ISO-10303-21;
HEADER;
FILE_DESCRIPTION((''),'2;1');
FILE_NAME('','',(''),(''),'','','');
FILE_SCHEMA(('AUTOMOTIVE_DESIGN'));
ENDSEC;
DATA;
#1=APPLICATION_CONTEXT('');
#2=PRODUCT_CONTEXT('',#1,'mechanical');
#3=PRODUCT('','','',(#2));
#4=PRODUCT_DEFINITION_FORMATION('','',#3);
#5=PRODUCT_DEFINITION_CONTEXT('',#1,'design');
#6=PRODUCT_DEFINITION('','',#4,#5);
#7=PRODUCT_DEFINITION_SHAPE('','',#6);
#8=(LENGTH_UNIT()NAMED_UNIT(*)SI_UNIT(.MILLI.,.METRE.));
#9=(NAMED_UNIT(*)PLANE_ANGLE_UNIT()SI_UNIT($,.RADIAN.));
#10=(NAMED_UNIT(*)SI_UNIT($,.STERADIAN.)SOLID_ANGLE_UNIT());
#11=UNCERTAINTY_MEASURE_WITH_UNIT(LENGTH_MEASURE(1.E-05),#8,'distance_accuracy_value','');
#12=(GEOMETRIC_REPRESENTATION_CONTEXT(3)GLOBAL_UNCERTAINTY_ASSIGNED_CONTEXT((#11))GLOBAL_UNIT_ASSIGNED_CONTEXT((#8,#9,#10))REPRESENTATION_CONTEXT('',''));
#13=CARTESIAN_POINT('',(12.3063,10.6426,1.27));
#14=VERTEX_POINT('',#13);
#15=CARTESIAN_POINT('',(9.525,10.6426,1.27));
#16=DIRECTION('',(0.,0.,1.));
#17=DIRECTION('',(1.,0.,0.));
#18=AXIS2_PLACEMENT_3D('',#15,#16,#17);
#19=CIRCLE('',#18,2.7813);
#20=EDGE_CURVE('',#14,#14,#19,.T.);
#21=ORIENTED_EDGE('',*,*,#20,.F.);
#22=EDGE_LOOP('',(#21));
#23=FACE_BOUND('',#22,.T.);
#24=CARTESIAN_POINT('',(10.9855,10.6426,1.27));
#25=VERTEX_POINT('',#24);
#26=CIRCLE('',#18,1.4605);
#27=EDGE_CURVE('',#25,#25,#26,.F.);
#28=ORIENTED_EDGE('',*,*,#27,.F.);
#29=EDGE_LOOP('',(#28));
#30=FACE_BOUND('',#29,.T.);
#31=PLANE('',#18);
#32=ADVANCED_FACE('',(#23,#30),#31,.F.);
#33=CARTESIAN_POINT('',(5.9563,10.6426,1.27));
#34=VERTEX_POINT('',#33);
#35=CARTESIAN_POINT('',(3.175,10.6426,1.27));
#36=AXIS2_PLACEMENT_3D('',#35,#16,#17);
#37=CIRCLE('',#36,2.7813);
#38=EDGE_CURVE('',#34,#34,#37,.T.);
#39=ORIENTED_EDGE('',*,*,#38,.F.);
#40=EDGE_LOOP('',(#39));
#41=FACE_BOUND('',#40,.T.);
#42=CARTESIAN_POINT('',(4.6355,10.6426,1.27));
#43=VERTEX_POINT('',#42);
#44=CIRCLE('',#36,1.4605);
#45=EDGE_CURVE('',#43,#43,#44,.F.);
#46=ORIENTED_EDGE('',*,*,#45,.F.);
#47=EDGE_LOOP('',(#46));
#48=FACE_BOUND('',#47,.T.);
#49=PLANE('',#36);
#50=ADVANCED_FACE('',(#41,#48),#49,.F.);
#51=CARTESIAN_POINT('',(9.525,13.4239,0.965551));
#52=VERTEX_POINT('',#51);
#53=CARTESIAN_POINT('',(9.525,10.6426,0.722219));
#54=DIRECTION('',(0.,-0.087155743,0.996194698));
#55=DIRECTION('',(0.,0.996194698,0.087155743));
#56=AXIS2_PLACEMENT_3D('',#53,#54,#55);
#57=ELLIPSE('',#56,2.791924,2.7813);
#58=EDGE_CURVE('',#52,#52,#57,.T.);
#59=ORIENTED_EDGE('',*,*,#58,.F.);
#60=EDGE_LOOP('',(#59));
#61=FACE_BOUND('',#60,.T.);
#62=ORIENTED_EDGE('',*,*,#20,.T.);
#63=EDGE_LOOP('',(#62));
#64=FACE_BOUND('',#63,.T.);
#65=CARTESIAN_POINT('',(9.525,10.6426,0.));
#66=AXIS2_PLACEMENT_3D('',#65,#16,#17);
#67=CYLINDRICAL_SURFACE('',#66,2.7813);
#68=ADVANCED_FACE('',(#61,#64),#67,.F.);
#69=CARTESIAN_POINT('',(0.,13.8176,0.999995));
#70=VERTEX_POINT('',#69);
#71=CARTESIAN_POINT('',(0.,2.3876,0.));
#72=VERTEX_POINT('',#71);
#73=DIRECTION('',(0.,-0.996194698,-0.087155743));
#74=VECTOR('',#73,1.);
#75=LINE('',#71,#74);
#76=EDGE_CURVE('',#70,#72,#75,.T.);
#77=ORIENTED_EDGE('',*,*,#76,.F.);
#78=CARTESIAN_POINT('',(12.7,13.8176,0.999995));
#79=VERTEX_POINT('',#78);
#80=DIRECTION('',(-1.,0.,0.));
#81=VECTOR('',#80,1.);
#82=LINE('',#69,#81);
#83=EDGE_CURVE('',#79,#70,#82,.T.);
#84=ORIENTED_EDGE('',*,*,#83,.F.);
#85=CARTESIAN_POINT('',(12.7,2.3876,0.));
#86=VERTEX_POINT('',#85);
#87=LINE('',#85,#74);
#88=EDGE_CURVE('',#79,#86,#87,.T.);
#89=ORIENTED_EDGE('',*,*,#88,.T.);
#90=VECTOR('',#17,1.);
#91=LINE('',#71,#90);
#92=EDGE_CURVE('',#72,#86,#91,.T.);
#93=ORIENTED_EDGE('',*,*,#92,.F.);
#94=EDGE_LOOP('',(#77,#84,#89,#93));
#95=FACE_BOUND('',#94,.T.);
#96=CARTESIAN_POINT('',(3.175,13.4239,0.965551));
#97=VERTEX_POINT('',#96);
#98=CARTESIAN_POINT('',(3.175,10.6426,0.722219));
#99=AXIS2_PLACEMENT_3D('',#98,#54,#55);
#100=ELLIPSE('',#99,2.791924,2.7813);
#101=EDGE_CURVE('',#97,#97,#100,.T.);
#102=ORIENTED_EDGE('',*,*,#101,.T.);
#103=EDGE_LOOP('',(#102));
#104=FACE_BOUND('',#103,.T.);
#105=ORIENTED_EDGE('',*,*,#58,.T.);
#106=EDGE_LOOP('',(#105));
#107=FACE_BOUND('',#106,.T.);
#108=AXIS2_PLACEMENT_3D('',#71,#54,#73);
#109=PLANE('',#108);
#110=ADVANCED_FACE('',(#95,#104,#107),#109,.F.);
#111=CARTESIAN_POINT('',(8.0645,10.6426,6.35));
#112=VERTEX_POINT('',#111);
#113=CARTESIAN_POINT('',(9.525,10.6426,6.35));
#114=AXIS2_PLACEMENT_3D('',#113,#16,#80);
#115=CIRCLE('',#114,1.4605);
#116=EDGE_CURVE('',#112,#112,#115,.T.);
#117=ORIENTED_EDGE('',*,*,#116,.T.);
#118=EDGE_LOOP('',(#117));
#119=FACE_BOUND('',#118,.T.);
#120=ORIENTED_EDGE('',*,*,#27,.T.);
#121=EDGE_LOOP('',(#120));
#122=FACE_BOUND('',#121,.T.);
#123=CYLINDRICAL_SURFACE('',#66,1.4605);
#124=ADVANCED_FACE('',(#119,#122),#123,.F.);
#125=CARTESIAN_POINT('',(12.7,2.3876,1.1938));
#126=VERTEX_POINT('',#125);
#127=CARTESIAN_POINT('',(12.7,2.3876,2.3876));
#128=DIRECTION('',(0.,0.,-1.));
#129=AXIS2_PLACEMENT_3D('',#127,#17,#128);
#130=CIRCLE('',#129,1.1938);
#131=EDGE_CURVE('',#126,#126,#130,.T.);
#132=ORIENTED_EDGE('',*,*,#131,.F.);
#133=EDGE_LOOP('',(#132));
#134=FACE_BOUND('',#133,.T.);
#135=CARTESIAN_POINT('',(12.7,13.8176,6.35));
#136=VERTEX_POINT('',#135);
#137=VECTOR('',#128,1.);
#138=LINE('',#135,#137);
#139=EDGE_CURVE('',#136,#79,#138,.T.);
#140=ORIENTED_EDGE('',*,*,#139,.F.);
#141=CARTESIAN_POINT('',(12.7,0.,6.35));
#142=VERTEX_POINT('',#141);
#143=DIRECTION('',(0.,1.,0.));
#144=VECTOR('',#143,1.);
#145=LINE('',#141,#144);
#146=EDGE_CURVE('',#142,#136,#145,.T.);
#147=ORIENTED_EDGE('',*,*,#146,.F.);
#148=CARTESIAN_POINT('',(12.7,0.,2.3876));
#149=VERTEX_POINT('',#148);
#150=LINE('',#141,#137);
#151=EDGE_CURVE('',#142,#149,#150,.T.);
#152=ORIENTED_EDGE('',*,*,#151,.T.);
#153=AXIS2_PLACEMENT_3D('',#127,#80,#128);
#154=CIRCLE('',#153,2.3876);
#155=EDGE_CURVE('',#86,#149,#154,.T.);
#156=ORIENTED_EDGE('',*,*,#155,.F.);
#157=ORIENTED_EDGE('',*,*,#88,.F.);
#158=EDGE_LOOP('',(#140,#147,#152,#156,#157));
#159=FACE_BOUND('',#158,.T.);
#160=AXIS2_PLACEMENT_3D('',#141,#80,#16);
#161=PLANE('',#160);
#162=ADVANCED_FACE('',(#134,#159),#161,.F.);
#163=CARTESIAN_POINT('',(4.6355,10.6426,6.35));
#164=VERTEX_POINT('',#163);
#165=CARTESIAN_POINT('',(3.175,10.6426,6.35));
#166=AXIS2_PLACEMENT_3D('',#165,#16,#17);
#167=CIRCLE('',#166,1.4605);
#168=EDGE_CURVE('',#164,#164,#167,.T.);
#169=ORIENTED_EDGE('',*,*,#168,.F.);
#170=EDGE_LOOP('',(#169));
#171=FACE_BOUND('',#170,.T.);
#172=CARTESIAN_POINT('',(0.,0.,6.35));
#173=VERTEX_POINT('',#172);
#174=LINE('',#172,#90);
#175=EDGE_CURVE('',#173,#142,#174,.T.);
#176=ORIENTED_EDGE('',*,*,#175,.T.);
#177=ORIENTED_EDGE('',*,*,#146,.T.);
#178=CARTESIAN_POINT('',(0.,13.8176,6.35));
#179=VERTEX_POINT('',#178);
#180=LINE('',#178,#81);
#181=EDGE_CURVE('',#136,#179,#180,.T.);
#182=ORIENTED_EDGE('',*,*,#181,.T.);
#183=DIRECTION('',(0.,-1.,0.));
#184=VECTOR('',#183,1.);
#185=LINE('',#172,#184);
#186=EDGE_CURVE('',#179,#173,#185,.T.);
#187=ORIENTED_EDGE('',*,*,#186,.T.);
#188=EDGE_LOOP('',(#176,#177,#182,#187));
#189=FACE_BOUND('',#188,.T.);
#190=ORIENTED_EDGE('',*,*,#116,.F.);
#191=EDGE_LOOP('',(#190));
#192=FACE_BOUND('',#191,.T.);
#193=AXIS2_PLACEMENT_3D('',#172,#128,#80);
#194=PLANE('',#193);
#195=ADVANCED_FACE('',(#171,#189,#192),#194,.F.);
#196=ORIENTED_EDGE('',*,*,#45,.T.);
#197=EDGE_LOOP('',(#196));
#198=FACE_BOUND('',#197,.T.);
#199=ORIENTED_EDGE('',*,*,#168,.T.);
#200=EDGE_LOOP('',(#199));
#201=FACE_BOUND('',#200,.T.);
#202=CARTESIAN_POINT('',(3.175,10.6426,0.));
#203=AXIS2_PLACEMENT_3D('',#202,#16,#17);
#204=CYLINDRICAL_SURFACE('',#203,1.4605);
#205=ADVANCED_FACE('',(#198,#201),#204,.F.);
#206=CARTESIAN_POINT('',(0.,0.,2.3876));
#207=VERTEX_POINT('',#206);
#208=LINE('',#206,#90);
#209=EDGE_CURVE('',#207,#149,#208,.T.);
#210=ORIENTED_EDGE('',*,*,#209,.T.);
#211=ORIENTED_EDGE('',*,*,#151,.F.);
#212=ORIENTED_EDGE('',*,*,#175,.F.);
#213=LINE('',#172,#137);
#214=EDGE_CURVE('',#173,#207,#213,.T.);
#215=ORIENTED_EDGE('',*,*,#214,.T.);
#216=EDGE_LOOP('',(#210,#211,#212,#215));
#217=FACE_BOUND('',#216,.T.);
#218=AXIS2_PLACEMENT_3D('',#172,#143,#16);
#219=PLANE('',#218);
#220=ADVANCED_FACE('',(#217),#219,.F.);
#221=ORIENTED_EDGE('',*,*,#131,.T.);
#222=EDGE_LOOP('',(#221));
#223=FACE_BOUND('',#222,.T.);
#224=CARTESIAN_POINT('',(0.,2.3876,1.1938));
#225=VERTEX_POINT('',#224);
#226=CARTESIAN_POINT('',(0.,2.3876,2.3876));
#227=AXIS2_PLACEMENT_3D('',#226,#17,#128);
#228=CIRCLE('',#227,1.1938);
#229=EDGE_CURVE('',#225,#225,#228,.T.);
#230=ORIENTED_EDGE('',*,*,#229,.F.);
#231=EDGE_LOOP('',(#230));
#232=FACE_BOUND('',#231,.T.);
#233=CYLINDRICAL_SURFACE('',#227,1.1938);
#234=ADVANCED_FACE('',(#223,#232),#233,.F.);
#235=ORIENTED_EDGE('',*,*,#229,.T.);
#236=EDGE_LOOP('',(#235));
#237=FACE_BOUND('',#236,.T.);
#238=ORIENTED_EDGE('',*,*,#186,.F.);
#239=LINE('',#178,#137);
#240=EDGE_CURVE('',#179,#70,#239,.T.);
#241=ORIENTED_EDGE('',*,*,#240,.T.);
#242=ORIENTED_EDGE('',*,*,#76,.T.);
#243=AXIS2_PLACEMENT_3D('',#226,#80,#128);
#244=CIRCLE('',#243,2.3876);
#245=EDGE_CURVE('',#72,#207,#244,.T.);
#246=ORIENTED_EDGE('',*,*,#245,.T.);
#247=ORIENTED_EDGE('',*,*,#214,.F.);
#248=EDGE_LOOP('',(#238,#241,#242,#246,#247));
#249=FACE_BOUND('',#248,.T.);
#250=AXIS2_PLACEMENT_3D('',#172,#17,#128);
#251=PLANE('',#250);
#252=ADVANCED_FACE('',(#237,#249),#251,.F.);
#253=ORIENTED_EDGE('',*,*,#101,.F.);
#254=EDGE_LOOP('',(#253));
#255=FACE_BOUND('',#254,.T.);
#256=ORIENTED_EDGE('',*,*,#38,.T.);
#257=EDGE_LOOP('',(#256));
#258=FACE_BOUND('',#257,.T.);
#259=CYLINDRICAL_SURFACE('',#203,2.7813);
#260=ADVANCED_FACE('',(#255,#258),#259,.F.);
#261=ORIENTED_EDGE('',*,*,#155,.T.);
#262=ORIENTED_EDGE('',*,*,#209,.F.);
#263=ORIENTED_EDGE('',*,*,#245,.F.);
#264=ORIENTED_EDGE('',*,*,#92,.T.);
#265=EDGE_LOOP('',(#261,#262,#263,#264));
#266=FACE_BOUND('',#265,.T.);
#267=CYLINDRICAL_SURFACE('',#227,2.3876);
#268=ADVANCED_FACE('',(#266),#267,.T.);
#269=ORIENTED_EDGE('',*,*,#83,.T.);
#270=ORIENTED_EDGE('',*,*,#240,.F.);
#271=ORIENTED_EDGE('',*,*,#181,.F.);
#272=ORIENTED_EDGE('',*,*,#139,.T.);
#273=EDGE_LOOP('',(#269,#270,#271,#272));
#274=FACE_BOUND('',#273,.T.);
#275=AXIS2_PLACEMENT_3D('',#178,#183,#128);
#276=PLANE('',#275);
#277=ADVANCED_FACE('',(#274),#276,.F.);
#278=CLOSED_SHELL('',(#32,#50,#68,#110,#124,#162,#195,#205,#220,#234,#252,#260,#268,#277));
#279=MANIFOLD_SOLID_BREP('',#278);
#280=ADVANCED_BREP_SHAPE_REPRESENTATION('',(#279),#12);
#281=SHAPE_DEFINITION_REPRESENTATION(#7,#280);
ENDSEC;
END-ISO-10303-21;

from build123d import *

# Parameters (mm, degrees)
SKETCH2_W           = 12.7
SKETCH2_H           = 13.8176
BOSS_EXTRUDE1_DEPTH = 6.35
SKETCH4_R           = 1.1938
CUT_EXTRUDE1_DEPTH  = 20.812586145
CUT_EXTRUDE2_DEPTH  = 20.812586145
SKETCH8_R           = 1.4605
CUT_EXTRUDE3_DEPTH  = 20.812586145
SKETCH9_R           = 2.7813
CUT_EXTRUDE4_DEPTH  = 20.442799947


with BuildPart() as part:
    # Sketch2 → Boss-Extrude1 (new body)
    with BuildSketch(Plane.XY):
        with Locations((6.35, 6.9088)):
            Rectangle(SKETCH2_W, SKETCH2_H)
    extrude(amount=BOSS_EXTRUDE1_DEPTH)

    # Sketch4 → Cut-Extrude1 (cut, through all)
    with BuildSketch(Plane(origin=(12.7, 0, 0), x_dir=(0, 0, -1), z_dir=(1, 0, 0))):
        with Locations((-2.3876, 2.3876)):
            Circle(SKETCH4_R)
        with BuildLine():
            Line((0, 2.3876), (2.839420075, 2.3876))
            Line((2.839420075, 2.3876), (2.839420075, -2.482839526))
            Line((2.839420075, -2.482839526), (-2.3876, -2.482839526))
            Line((-2.3876, -2.482839526), (-2.3876, 0))
            ThreePointArc((-2.3876, 0), (-0.699311849, 0.699311849), (0, 2.3876))
        make_face()
    extrude(amount=-CUT_EXTRUDE1_DEPTH, mode=Mode.SUBTRACT)

    # Sketch7 → Cut-Extrude2 (cut, through all)
    with BuildSketch(Plane(origin=(12.7, 0, 0), x_dir=(0, 0, -1), z_dir=(1, 0, 0))):
        Polygon((0, 2.3876), (-1.031425935, 14.176852388), (1.156682431, 14.176852388), (1.156682431, 2.3876), align=None)
    extrude(amount=-CUT_EXTRUDE2_DEPTH, mode=Mode.SUBTRACT)

    # Sketch8 → Cut-Extrude3 (cut, through all)
    with BuildSketch(Plane.XY.offset(6.35)):
        with Locations((3.175, 10.6426)):
            Circle(SKETCH8_R)
        with Locations(Location((9.525, 10.6426, 0), (0, 0, 90))):
            Circle(SKETCH8_R)
    extrude(amount=-CUT_EXTRUDE3_DEPTH, mode=Mode.SUBTRACT)

    # Sketch9 → Cut-Extrude4 (cut, through all)
    with BuildSketch(Plane.XY.offset(1.27)):
        with Locations((3.175, 10.6426)):
            Circle(SKETCH9_R)
        with Locations((9.525, 10.6426)):
            Circle(SKETCH9_R)
    extrude(amount=-CUT_EXTRUDE4_DEPTH, mode=Mode.SUBTRACT)


solid = part.part
